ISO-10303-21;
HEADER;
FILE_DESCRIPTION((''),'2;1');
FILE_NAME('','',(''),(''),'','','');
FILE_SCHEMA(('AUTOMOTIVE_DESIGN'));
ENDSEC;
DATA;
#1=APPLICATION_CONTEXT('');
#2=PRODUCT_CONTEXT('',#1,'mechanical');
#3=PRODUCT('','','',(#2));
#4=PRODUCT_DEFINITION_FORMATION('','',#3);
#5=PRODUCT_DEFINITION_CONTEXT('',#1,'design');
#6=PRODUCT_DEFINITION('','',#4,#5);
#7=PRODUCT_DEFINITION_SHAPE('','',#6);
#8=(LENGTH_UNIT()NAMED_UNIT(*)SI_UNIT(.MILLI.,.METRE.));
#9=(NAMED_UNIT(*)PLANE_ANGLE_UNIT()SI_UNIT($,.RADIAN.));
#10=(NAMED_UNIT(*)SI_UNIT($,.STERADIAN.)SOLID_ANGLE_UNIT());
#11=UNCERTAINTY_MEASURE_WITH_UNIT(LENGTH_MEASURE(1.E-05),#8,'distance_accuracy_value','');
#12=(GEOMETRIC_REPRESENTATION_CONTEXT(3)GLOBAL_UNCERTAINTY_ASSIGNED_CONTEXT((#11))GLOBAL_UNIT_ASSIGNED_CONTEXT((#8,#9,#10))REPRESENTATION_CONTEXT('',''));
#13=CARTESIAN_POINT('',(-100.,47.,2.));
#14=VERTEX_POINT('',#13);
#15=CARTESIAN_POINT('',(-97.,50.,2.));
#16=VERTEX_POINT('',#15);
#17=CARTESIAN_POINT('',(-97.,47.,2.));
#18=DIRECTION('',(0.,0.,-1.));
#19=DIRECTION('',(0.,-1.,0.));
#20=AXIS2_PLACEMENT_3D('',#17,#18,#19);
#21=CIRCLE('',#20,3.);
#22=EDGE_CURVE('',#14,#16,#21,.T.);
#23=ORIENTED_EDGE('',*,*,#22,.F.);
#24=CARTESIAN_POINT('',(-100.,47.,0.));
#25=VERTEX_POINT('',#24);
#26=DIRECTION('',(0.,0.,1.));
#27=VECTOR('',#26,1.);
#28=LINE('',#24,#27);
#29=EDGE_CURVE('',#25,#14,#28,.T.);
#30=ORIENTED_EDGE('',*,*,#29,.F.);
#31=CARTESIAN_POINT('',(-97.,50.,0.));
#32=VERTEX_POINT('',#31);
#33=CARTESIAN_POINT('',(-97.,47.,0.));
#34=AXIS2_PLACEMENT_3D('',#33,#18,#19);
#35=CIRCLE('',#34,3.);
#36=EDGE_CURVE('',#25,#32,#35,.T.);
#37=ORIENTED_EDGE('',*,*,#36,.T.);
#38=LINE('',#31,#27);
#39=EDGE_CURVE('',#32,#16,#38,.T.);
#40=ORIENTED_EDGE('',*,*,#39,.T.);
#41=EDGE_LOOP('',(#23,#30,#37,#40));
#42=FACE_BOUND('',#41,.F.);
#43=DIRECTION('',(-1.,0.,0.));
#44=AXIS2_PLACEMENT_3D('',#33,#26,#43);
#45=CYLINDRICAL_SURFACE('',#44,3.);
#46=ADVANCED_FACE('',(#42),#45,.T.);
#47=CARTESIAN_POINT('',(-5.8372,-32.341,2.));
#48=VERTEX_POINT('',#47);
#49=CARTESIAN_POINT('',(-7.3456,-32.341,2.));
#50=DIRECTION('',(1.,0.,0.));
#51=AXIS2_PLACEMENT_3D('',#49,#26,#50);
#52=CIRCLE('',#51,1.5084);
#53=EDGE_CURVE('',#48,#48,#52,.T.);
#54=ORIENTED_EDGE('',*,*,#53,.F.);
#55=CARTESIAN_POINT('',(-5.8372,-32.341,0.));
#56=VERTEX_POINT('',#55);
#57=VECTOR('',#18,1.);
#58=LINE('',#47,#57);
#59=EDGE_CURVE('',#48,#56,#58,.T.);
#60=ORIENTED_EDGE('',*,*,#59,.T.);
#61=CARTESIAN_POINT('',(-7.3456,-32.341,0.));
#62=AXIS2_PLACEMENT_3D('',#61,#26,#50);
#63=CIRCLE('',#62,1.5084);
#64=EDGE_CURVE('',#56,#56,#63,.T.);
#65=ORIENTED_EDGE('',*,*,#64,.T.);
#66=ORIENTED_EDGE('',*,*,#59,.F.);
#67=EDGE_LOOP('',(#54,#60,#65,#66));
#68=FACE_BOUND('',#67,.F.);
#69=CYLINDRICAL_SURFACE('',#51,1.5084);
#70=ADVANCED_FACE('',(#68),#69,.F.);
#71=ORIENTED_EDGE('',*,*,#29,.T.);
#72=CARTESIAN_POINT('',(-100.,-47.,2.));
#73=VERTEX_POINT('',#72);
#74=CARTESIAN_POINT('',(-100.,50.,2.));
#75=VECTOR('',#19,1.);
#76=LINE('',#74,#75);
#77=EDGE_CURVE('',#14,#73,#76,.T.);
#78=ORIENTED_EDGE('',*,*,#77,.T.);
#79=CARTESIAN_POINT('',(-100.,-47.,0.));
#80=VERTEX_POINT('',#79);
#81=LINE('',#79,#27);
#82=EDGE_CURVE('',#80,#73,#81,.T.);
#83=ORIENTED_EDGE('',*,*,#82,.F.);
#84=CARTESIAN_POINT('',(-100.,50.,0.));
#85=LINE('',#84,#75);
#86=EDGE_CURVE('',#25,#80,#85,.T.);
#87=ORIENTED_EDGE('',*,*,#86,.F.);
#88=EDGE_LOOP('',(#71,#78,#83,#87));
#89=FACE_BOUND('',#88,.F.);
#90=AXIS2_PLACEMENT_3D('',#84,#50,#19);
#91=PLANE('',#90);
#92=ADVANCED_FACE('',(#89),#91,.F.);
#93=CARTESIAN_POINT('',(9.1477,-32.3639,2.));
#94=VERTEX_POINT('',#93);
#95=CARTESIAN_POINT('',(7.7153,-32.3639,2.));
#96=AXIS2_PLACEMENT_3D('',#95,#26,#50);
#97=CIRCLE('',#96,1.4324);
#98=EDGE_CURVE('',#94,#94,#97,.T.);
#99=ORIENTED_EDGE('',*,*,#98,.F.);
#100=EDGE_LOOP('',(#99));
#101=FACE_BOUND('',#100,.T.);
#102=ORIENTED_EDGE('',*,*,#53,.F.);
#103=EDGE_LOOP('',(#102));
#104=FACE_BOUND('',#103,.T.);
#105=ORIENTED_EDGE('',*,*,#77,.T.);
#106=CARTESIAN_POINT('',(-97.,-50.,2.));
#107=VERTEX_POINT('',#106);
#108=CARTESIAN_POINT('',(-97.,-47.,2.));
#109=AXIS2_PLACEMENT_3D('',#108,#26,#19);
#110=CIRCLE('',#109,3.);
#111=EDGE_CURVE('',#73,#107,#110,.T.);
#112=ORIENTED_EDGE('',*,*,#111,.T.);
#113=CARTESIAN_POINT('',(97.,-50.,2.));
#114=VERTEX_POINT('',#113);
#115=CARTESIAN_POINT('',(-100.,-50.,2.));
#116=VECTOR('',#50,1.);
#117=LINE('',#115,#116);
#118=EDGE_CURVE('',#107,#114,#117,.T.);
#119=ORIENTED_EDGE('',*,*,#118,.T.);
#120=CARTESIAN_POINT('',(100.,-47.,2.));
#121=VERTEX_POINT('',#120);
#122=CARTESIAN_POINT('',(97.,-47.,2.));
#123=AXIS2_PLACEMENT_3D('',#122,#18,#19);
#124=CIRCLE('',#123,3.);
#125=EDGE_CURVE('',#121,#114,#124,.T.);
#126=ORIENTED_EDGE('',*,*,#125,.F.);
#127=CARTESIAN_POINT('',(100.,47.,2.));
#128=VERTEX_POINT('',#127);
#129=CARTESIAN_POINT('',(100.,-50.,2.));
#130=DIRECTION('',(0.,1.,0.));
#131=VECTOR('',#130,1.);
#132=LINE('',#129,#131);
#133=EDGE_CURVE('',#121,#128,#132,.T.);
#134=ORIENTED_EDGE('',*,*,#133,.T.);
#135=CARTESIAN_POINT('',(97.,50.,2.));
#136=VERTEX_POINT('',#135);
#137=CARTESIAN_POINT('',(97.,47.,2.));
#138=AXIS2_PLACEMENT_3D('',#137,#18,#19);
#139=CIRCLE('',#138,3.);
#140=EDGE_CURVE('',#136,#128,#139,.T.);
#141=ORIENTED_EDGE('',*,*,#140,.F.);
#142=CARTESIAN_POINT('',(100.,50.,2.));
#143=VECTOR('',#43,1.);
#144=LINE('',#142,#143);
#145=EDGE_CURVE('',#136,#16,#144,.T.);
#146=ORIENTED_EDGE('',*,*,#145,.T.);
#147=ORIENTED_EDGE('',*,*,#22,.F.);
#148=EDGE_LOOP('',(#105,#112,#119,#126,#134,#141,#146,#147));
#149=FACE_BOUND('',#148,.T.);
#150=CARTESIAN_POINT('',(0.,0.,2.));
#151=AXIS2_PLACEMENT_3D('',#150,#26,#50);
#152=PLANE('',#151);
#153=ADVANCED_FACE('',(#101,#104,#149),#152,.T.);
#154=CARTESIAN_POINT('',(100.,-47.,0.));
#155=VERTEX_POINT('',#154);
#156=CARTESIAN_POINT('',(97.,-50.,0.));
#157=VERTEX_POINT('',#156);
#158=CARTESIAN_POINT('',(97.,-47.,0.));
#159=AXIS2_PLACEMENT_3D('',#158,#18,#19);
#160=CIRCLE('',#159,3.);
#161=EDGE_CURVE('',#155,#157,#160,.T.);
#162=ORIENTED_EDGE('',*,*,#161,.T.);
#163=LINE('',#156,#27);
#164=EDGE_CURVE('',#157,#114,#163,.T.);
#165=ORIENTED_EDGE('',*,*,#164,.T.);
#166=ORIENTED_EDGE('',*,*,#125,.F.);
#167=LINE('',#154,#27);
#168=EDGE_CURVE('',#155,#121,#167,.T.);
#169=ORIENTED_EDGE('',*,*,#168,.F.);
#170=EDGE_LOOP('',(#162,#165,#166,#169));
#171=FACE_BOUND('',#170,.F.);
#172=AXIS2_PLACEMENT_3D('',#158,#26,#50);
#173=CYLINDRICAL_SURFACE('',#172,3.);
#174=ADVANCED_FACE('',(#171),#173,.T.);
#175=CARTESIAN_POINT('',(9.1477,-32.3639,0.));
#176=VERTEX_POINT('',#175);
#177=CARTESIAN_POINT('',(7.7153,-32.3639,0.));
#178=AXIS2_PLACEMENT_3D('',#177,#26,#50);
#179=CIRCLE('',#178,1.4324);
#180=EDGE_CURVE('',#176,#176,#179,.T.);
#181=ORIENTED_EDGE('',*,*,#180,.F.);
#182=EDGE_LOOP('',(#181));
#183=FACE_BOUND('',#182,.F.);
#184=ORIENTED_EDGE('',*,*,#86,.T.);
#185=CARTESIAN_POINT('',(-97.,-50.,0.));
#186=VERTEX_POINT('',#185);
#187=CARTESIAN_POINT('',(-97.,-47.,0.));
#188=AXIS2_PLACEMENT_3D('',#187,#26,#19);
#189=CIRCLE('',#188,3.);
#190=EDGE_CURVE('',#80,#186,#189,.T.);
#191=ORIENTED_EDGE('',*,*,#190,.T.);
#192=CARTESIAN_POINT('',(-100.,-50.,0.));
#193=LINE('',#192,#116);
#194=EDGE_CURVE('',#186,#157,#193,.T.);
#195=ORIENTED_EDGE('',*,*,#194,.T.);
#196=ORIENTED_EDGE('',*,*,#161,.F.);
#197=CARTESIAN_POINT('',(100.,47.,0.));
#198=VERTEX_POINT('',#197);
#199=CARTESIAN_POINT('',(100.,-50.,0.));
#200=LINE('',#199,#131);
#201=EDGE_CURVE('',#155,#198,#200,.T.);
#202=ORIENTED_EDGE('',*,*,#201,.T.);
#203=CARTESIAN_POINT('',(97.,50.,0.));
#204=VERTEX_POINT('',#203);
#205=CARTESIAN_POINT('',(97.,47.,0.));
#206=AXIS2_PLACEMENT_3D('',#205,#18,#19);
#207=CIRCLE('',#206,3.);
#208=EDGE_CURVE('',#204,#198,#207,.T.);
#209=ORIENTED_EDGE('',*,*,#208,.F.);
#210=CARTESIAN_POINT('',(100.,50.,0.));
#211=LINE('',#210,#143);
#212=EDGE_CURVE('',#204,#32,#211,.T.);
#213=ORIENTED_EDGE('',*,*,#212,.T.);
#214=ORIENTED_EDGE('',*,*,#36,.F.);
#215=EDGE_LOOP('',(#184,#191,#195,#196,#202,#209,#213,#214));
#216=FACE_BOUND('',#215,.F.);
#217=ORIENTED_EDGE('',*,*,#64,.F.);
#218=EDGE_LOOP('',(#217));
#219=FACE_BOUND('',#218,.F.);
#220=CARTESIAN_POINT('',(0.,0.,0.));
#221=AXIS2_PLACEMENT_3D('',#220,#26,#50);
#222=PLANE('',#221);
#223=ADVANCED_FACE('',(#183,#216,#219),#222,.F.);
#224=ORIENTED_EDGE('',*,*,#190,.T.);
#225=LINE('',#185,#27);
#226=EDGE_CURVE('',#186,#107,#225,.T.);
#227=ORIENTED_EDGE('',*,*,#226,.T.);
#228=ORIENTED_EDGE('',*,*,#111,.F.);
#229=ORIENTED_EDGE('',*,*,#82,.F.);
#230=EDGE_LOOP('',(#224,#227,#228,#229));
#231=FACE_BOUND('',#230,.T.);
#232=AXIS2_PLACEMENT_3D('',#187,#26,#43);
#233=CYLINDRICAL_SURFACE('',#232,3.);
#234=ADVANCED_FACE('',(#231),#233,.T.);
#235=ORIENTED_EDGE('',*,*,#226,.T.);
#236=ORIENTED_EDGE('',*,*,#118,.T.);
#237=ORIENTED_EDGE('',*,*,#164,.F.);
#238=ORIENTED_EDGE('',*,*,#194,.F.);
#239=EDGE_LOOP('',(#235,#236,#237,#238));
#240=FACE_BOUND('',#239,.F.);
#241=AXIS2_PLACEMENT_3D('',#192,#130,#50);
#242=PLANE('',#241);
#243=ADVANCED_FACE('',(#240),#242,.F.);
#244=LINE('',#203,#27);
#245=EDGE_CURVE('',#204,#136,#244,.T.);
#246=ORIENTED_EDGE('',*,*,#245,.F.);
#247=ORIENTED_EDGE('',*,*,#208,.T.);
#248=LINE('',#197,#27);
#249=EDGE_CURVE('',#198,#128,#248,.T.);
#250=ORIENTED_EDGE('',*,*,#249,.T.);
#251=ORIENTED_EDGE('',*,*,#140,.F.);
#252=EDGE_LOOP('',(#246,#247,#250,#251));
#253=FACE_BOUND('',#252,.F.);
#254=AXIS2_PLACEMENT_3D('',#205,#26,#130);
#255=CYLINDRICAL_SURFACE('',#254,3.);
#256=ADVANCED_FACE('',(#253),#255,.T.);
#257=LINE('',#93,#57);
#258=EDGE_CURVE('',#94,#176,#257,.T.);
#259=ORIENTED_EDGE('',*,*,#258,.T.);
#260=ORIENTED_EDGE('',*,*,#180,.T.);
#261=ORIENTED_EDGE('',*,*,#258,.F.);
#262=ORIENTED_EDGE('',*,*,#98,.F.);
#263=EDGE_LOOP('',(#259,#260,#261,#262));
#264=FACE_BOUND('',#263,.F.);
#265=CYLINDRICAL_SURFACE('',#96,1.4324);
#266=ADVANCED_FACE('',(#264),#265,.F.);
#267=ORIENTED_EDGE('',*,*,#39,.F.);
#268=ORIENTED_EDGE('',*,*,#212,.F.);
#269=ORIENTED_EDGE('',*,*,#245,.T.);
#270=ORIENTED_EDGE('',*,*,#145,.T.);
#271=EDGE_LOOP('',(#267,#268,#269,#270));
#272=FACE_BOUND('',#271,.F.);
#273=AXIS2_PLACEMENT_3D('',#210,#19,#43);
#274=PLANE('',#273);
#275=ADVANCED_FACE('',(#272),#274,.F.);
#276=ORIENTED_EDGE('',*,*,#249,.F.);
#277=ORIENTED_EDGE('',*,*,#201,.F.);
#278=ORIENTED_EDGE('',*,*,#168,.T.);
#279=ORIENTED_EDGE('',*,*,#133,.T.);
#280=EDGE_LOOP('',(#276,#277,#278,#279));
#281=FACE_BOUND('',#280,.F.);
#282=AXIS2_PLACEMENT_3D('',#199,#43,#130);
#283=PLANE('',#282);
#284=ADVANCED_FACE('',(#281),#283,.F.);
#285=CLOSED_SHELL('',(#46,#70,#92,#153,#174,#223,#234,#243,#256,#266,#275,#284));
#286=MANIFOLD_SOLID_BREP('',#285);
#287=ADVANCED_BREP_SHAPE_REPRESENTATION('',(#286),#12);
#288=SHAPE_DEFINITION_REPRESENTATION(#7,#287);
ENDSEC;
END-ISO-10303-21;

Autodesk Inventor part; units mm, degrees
ref_plane "YZ Plane" through (0, 0, 0) normal (1, 0, 0) x (0, 1, 0)
ref_plane "XZ Plane" through (0, 0, 0) normal (0, 1, 0) x (-1, 0, 0)
ref_plane "XY Plane" through (0, 0, 0) normal (0, 0, 1) x (1, 0, 0)
sketch "Sketch1" plane through (0, 0, 0) normal (0, 0, 1) x (1, 0, 0)
  line L0 (-100, -50) -> (100, -50)
  line L1 (100, -50) -> (100, 50)
  line L2 (100, 50) -> (-100, 50)
  line L3 (-100, 50) -> (-100, -50)
  line L4 (-100, -50) -> (100, 50) construction
  line L5 (100, -50) -> (-100, 50) construction
  point P0 (0, 0)
  dimension "d0" = 200
  dimension "d1" = 100
extrude "Extrusion1" add sketch "Sketch1" along normal blind 2
fillet "Fillet1" radius 3 4 edges at (-100, 50, 1) (100, 50, 1) (100, -50, 1) (-100, -50, 1)
sketch "Sketch2" plane through (0, 0, 2) normal (0, 0, 1) x (1, 0, 0)
  circle A0 centre (-7.3456, -32.341) radius 1.5084 projected
  circle A1 centre (7.7153, -32.3639) radius 1.4324 projected
  point P0 (0, 0)
extrude "Extrusion2" cut sketch "Sketch2" against normal through all
properties part number "PCB"
